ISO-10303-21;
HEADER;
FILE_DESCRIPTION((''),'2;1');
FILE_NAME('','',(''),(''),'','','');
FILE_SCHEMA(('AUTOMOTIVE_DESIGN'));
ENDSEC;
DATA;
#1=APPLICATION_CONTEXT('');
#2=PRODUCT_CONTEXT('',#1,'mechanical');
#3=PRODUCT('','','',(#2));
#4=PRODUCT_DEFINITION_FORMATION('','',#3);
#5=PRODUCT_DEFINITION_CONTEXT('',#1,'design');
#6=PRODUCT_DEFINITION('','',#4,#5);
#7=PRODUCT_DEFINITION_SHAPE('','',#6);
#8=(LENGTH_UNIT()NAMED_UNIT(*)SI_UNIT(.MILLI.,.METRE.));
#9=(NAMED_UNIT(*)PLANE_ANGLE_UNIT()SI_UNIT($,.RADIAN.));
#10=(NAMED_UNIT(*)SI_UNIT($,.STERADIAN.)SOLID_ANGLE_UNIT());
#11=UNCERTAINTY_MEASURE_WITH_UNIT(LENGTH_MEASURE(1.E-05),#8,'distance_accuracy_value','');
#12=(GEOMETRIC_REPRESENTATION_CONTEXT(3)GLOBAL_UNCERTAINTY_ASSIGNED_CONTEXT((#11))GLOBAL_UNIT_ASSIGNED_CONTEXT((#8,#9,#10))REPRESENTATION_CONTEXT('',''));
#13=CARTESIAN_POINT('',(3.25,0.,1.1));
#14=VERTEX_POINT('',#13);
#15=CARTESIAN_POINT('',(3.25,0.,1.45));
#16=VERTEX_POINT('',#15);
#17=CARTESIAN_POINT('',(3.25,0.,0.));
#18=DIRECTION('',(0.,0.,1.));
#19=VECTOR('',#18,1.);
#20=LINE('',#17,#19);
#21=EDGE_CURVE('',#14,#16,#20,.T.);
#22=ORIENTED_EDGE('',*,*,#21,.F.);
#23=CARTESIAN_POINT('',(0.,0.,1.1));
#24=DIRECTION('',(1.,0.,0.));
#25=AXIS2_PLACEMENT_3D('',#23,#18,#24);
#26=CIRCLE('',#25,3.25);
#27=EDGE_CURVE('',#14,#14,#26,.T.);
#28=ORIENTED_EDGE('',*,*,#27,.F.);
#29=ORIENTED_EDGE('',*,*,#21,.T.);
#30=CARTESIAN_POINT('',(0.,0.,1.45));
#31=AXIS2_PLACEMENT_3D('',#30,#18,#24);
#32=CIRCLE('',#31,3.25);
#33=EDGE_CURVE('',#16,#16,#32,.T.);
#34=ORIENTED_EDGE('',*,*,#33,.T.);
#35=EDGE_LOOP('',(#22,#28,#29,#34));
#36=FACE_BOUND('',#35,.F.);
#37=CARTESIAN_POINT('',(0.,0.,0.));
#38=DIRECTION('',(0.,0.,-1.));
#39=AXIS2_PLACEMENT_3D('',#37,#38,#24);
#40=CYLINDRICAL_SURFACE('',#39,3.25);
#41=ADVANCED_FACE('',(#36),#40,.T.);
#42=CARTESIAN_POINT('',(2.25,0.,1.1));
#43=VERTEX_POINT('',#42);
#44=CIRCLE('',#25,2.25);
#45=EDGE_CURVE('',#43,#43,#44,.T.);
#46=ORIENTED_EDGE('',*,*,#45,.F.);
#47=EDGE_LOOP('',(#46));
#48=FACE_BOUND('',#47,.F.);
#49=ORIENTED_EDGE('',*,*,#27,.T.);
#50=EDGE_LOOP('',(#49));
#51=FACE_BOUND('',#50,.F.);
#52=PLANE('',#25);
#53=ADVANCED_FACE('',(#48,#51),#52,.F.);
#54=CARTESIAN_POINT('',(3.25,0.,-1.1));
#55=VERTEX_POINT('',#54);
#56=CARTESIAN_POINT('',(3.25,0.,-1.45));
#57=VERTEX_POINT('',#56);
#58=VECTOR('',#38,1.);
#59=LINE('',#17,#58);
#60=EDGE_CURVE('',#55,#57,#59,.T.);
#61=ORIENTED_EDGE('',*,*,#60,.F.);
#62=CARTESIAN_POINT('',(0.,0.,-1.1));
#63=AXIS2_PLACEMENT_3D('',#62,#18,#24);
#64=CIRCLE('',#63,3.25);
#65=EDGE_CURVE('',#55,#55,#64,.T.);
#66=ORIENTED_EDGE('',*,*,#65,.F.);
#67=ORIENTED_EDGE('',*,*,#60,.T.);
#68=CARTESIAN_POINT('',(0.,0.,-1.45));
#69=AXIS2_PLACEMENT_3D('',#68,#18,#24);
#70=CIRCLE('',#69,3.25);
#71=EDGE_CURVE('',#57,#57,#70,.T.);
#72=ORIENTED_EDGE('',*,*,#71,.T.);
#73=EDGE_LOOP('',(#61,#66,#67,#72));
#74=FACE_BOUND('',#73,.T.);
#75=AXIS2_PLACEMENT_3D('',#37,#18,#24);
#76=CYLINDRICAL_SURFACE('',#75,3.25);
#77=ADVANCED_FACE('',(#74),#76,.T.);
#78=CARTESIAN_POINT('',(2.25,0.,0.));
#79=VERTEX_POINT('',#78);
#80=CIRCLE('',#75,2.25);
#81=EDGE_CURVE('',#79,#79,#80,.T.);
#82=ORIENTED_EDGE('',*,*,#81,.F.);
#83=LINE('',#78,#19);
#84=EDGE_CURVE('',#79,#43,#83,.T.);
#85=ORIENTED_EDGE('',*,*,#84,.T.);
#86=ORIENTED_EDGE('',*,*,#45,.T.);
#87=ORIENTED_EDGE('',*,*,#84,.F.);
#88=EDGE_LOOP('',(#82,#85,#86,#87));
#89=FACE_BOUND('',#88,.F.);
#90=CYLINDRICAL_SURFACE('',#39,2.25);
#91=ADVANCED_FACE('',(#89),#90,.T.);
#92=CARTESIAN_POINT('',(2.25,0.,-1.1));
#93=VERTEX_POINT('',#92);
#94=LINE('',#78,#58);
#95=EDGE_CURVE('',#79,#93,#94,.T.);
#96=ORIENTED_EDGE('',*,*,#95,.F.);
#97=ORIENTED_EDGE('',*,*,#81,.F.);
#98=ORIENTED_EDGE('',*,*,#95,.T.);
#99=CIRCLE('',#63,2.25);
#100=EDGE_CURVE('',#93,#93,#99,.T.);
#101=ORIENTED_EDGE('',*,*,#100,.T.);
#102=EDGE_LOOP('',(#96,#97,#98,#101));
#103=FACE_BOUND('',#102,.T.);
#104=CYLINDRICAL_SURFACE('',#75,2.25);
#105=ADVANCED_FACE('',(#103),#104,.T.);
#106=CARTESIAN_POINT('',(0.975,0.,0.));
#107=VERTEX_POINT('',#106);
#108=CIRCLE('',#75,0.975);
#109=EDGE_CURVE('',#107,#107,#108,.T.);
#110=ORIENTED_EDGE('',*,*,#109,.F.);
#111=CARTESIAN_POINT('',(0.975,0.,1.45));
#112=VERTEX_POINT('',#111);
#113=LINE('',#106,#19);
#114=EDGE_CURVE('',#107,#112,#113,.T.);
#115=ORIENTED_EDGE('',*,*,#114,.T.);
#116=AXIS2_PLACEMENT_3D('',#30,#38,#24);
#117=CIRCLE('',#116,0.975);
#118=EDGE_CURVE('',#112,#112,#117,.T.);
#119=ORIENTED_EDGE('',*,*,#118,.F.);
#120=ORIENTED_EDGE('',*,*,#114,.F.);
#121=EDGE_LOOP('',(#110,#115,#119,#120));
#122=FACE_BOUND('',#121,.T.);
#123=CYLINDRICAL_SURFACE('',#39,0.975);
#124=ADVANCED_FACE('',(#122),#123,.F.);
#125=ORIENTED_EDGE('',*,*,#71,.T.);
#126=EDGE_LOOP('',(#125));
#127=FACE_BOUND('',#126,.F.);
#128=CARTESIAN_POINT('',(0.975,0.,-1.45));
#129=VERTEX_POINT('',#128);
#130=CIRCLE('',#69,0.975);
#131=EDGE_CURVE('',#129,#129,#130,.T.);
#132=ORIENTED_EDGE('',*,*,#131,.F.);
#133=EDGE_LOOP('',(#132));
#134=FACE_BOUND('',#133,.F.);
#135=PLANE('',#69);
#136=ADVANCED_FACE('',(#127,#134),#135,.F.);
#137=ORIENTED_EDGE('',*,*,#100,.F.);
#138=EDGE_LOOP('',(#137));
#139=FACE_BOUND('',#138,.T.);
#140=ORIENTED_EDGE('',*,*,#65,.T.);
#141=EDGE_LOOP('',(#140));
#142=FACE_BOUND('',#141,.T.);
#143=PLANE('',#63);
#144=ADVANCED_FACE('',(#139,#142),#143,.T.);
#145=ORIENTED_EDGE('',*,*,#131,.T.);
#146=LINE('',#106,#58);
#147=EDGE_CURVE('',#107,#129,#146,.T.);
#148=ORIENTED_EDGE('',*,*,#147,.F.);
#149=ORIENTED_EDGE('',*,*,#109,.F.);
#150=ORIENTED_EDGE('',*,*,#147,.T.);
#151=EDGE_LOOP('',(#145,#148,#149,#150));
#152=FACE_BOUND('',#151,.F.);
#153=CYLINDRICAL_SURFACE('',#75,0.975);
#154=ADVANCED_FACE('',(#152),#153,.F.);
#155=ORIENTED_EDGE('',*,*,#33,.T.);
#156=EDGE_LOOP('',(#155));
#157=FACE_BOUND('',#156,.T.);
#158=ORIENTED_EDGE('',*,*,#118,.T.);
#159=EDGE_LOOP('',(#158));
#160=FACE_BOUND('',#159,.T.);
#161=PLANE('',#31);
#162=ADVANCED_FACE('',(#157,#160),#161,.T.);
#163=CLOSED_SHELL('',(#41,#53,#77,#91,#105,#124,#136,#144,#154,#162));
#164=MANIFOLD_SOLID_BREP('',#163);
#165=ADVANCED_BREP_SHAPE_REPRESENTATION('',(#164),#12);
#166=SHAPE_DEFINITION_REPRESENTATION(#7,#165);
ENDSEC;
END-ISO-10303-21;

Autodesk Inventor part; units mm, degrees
ref_plane "YZ Plane" through (0, 0, 0) normal (1, 0, 0) x (0, 1, 0)
ref_plane "XZ Plane" through (0, 0, 0) normal (0, 1, 0) x (-1, 0, 0)
ref_plane "XY Plane" through (0, 0, 0) normal (0, 0, 1) x (1, 0, 0)
sketch "Sketch1" plane through (0, 0, 0) normal (0, 0, 1) x (1, 0, 0)
  circle A0 centre (0, 0) radius 3.25
  dimension "d0" = 6.5
extrude "Roller Base" add sketch "Sketch1" along normal mid plane 2.9
sketch "Sketch2" plane through (0, 0, 0) normal (0, 0, 1) x (1, 0, 0)
  circle A0 centre (0, 0) radius 0.975
  dimension "d3" = 1.95
extrude "Roller Axis" cut sketch "Sketch2" along normal through all both and the other way through all
sketch "Sketch3" plane through (0, 0, 0) normal (0, 0, 1) x (1, 0, 0)
  circle A0 centre (0, 0) radius 0.975 projected
  circle A1 centre (0, 0) radius 3.25 projected
  circle A2 centre (0, 0) radius 2.25
  dimension "d6" = 4.5
extrude "Roller Bar Fit" cut sketch "Sketch3" along normal mid plane 2.2 contours A1
properties part number "Roller" material "Brass, Soft Yellow, Welded"
